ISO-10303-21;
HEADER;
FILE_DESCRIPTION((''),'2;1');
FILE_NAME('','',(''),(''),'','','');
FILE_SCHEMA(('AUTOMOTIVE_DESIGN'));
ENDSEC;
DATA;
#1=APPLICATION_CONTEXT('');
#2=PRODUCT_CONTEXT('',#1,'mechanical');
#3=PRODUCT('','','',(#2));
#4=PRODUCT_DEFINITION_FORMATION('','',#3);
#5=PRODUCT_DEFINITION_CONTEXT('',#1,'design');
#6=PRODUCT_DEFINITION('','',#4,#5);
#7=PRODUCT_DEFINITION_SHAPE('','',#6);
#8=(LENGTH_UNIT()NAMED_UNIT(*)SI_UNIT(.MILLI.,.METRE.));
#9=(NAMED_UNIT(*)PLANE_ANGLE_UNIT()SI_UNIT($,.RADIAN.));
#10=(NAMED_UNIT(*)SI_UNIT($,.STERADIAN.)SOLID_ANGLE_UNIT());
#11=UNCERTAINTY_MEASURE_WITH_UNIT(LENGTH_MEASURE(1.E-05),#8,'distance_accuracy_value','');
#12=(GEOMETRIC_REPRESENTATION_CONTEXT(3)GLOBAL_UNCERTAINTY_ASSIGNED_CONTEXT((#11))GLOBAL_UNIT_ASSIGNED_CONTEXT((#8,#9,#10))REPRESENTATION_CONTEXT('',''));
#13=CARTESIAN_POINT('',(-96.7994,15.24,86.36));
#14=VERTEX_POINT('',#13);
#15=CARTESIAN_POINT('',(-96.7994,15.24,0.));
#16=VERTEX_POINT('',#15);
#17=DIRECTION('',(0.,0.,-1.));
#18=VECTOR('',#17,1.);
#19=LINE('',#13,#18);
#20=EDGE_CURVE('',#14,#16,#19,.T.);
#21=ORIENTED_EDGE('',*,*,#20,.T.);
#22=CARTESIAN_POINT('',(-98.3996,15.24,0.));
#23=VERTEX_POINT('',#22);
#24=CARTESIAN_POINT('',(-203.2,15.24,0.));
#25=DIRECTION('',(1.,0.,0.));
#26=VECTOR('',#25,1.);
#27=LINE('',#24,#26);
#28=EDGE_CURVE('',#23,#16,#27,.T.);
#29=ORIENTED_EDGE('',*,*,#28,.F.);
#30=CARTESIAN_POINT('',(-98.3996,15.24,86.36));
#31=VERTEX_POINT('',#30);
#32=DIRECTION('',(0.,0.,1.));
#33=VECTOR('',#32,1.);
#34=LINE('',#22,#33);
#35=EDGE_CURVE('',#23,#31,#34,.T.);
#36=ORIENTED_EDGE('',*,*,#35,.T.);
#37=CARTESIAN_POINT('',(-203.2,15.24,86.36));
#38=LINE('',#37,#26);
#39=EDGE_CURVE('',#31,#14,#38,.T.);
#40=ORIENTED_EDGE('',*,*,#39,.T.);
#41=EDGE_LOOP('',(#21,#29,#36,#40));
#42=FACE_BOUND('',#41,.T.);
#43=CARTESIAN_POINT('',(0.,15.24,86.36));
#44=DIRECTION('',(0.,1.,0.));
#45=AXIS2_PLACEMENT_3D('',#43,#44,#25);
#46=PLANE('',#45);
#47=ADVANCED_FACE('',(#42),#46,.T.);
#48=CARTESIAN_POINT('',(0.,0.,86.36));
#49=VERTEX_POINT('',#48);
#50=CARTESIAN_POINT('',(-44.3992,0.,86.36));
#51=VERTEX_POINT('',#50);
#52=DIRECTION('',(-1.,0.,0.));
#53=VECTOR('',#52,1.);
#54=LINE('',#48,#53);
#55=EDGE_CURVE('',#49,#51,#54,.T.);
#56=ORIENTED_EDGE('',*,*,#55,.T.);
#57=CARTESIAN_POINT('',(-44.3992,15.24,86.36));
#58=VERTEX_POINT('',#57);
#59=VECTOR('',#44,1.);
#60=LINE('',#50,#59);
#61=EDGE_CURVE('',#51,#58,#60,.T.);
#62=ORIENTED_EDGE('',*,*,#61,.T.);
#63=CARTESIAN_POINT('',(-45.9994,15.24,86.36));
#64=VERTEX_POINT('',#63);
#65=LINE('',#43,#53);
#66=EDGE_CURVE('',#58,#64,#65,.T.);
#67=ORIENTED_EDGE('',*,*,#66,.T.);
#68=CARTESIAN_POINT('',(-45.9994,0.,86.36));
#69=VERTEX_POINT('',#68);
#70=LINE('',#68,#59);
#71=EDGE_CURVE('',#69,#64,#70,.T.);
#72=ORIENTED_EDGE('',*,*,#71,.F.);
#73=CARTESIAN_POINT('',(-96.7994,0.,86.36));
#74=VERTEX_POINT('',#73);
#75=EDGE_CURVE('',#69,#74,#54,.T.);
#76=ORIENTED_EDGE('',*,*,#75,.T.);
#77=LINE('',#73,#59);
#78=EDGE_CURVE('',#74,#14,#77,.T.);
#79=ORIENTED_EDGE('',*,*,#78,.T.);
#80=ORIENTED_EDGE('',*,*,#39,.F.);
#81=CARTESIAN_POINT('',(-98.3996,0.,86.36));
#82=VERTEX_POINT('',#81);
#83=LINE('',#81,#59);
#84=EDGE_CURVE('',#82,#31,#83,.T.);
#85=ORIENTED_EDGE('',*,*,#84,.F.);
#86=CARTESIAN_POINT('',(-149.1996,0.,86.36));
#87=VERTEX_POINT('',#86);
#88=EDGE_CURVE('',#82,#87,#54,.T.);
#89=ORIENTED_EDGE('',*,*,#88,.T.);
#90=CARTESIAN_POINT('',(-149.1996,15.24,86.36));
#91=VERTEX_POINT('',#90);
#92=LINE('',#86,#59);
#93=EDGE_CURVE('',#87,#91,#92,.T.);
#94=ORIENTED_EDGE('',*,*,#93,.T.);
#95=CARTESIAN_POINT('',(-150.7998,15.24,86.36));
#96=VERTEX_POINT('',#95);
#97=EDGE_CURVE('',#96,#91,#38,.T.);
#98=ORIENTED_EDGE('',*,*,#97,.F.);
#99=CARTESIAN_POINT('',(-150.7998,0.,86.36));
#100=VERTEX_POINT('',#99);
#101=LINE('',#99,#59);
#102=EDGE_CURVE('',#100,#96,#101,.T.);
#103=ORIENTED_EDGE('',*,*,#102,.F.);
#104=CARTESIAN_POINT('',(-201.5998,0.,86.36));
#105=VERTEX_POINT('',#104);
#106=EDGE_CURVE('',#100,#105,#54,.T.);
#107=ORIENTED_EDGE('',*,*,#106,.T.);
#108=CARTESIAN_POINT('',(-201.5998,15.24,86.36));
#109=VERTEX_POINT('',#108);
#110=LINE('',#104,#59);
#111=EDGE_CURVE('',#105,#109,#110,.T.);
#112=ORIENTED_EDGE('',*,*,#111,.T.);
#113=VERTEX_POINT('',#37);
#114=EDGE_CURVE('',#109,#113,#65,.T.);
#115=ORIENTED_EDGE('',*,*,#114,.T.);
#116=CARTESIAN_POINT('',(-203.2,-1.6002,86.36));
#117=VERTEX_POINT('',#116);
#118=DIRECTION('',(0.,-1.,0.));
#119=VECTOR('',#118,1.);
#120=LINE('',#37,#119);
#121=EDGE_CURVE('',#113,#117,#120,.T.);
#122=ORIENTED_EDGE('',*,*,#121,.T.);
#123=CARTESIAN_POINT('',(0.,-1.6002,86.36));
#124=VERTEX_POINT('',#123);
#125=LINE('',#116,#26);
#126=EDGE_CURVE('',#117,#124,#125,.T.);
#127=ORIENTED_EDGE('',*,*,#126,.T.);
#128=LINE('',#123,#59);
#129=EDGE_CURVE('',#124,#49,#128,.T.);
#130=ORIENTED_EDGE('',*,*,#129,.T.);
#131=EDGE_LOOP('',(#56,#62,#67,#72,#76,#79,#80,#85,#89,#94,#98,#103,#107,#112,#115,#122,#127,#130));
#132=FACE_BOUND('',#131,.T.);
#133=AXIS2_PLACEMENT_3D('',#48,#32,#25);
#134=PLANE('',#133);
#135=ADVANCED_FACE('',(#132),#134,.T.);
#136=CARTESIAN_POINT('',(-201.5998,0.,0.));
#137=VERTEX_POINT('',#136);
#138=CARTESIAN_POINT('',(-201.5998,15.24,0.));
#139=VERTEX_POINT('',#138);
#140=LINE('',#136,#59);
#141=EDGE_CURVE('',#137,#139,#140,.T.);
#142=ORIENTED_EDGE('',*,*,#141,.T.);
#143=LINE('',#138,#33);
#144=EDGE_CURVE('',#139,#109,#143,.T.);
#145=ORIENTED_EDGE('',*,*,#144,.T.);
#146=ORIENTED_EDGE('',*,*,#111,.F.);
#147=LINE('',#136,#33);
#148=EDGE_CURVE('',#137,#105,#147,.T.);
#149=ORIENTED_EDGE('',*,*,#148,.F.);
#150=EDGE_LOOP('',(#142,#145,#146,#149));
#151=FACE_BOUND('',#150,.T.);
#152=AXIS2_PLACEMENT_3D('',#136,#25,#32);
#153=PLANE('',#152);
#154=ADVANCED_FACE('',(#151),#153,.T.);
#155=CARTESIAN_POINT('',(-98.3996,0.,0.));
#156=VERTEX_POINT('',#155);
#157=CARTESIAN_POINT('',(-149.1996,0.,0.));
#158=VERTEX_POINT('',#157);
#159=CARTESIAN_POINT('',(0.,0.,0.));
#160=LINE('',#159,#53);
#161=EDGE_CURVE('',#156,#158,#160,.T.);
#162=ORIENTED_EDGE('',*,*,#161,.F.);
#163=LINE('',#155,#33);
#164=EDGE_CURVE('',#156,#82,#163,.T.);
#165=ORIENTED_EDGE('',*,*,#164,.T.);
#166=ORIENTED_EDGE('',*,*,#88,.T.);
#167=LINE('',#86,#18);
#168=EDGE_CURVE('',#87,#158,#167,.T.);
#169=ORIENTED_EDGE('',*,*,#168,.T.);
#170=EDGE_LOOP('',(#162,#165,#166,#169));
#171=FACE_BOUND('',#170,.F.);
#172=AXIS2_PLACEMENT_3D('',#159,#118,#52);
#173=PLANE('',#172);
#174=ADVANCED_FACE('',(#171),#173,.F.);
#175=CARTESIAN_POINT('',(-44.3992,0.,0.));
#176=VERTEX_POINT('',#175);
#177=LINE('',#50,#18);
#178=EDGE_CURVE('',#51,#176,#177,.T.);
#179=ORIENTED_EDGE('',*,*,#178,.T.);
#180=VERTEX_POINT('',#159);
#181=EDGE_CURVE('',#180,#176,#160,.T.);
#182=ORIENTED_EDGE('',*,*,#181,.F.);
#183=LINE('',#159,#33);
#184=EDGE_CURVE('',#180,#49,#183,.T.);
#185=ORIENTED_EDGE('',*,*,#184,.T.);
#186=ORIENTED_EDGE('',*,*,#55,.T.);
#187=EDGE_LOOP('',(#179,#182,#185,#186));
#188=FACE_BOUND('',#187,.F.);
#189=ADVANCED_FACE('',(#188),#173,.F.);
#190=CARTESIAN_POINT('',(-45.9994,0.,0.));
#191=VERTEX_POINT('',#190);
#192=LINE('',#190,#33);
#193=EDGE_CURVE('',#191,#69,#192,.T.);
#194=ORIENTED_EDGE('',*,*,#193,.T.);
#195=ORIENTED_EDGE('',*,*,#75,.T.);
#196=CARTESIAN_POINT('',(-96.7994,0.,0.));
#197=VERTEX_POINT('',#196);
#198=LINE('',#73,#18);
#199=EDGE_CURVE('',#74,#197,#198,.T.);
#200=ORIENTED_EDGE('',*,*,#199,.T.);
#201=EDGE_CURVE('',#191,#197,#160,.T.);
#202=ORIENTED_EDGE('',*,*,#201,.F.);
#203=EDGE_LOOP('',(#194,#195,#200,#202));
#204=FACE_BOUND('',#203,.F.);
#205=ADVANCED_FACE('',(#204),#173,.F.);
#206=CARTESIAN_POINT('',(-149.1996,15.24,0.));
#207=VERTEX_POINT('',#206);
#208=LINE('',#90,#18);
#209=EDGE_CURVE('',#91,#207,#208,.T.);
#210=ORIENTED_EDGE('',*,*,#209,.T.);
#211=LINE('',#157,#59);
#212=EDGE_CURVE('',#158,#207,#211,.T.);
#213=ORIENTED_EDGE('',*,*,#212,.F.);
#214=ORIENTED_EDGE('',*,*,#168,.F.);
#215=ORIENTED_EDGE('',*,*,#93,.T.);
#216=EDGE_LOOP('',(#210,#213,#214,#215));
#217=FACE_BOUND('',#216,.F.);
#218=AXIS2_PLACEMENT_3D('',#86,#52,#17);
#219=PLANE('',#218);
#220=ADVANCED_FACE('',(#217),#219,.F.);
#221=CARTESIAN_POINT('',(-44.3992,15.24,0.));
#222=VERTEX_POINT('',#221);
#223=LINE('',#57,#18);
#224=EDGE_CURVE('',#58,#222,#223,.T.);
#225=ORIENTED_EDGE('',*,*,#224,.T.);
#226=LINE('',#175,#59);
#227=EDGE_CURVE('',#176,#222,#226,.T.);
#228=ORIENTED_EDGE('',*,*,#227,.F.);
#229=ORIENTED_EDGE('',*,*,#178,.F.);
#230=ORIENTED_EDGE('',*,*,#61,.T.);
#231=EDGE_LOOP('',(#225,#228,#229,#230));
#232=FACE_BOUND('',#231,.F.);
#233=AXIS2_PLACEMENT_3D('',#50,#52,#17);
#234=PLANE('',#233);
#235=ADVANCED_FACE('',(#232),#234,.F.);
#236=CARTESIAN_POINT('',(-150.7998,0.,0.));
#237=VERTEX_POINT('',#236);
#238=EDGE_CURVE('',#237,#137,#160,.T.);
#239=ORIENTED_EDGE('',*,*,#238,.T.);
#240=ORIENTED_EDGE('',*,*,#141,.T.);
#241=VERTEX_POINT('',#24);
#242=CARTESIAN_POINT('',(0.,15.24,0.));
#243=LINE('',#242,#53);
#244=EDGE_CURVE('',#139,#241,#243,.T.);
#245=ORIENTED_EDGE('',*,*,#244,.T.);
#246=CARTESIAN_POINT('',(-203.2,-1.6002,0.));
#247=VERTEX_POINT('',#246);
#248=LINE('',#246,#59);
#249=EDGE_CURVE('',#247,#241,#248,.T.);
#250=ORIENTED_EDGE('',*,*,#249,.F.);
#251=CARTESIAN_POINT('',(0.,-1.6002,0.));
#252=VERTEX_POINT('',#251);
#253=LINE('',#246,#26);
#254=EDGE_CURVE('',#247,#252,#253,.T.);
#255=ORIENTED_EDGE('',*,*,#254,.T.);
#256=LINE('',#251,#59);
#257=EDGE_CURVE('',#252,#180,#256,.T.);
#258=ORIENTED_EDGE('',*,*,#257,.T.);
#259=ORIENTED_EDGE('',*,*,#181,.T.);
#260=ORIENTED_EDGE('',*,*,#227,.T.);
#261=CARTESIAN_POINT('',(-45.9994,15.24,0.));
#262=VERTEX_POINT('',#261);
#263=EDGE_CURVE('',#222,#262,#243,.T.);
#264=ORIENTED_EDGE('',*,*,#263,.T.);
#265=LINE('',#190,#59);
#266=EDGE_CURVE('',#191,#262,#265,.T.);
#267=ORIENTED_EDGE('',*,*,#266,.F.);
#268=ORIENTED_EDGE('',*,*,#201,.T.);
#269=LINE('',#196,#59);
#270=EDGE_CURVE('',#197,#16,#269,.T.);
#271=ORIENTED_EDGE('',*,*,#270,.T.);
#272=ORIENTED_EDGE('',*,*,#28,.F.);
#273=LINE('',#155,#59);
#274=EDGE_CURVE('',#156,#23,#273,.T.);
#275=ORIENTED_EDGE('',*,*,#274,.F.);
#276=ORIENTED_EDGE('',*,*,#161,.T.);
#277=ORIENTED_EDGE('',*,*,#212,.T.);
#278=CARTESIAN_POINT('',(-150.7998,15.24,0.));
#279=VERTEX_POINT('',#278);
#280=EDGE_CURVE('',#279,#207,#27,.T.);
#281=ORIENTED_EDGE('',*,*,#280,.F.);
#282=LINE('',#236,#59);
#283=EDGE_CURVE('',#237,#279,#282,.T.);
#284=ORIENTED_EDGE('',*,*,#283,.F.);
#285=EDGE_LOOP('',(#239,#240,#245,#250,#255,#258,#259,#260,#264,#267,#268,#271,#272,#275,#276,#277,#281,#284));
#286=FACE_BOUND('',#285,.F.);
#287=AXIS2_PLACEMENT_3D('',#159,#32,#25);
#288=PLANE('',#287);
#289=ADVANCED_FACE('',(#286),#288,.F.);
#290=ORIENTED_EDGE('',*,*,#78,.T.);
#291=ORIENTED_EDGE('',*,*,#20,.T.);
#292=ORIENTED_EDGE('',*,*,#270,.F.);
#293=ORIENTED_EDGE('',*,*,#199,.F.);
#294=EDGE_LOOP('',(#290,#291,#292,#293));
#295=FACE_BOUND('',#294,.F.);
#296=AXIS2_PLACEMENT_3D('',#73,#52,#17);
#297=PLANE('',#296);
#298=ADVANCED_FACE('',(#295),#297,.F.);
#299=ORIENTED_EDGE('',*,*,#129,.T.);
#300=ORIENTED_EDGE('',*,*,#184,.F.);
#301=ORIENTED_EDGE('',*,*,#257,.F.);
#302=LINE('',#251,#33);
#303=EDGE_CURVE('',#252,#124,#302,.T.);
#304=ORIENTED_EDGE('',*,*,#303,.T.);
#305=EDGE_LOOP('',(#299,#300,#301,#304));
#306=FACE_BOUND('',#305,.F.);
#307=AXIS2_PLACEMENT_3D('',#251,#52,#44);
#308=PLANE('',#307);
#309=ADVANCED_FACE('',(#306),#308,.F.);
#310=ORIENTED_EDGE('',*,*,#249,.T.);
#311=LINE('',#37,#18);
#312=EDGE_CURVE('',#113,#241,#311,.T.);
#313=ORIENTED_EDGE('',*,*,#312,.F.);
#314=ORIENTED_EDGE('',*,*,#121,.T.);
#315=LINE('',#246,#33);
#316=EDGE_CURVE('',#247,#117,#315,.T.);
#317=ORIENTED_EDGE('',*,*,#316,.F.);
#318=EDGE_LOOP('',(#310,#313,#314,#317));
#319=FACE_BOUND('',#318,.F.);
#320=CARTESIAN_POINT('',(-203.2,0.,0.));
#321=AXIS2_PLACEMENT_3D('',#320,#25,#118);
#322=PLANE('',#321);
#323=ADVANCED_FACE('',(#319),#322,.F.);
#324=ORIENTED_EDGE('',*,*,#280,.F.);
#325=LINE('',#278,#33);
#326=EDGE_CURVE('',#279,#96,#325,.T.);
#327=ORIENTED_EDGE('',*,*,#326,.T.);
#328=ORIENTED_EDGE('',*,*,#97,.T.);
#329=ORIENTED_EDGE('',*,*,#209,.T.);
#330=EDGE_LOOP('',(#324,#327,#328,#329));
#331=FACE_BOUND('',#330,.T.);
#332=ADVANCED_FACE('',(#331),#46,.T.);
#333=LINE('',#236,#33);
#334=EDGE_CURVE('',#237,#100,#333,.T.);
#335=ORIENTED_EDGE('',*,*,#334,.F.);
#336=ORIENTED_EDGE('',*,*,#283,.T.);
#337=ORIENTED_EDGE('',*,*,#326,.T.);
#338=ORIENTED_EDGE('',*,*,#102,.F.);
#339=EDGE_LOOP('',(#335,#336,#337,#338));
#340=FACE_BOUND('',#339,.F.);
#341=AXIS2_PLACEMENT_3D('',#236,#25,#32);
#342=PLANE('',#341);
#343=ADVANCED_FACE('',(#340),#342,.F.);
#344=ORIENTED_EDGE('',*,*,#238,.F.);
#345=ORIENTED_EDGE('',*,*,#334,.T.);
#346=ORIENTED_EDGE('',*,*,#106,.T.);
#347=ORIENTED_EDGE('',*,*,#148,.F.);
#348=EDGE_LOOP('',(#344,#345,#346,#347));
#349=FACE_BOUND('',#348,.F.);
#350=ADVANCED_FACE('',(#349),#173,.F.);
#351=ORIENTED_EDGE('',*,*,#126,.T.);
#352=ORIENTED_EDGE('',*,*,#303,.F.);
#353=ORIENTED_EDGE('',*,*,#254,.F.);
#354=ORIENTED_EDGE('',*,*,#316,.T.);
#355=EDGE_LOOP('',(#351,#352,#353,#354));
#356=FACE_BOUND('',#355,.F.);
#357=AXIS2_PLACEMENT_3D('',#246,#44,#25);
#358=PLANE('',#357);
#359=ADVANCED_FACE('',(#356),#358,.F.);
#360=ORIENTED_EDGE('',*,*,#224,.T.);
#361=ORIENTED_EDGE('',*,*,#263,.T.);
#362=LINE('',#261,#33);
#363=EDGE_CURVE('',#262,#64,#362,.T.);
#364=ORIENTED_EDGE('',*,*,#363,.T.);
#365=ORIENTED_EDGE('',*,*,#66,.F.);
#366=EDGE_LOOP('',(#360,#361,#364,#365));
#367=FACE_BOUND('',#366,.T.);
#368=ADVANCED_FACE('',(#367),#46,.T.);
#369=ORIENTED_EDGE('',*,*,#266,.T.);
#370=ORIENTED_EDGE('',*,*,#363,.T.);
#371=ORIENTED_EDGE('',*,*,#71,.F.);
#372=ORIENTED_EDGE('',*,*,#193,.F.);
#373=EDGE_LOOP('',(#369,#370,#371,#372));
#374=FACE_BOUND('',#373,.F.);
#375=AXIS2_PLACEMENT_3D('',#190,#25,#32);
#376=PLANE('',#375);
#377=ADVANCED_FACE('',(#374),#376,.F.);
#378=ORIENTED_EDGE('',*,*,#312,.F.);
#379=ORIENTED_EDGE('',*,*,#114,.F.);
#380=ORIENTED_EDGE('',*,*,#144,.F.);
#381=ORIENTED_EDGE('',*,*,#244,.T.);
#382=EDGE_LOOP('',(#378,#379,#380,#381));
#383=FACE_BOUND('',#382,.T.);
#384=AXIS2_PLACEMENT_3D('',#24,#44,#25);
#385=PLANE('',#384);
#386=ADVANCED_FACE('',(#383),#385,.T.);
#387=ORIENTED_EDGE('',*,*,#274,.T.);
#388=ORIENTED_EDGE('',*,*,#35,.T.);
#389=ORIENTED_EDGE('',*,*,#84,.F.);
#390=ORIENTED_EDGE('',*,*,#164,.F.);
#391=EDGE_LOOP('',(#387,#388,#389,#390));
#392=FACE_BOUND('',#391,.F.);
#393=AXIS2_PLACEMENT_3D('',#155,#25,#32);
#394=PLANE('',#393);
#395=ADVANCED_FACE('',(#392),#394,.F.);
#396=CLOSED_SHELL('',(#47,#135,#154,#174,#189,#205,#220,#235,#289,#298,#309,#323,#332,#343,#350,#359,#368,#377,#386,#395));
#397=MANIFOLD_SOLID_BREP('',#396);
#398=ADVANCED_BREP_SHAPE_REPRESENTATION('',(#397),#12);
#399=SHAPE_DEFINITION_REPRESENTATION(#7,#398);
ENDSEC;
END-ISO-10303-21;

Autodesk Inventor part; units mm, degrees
ref_plane "YZ Plane" through (0, 0, 0) normal (1, 0, 0) x (0, 1, 0)
ref_plane "XZ Plane" through (0, 0, 0) normal (0, 1, 0) x (-1, 0, 0)
ref_plane "XY Plane" through (0, 0, 0) normal (0, 0, 1) x (1, 0, 0)
sketch "Sketch1" plane through (0, 0, 0) normal (0, 0, 1) x (1, 0, 0)
  line L0 (0, 0) -> (-203.2, 0)
  line L1 (-203.2, 0) -> (-203.2, -1.6002)
  line L2 (-203.2, -1.6002) -> (0, -1.6002)
  line L3 (0, -1.6002) -> (0, 0)
  dimension "d0" = 203.2
  dimension "d1" = 1.6002
extrude "Extrusion1" add sketch "Sketch1" along normal blind 86.36
sketch "Sketch2" plane through (-203.2, 0, 0) normal (0, 1, 0) x (1, 0, 0)
  line L0 (203.2, 0) -> (0, 0) projected
  line L1 (203.2, -86.36) -> (0, -86.36) projected
  line L2 (0, 0) -> (1.6002, 0)
  line L3 (1.6002, 0) -> (1.6002, -86.36)
  line L4 (1.6002, -86.36) -> (0, -86.36)
  line L5 (0, -86.36) -> (0, 0)
  dimension "d4" = 1.6002
extrude "Extrusion2" add sketch "Sketch2" along normal blind 15.24
sketch "Sketch3" plane through (0, 0, 86.36) normal (0, 1, 0) x (1, 0, 0)
  line L0 (-203.2, 0) -> (0, 0) projected
  line L1 (-203.2, 86.36) -> (0, 86.36) projected
  line L2 (-150.7998, 0) -> (-149.1996, 0)
  line L3 (-149.1996, 0) -> (-149.1996, 86.36)
  line L4 (-149.1996, 86.36) -> (-150.7998, 86.36)
  line L5 (-150.7998, 86.36) -> (-150.7998, 0)
  dimension "d7" = 1.6002
extrude "Extrusion3" add sketch "Sketch3" along normal blind 15.24
sketch "Sketch4" plane through (0, 0, 86.36) normal (0, 1, 0) x (1, 0, 0)
  line L0 (-203.2, 0) -> (0, 0) projected
  line L1 (-203.2, 86.36) -> (0, 86.36) projected
  line L2 (-98.3996, 0) -> (-96.7994, 0)
  line L3 (-96.7994, 0) -> (-96.7994, 86.36)
  line L4 (-96.7994, 86.36) -> (-98.3996, 86.36)
  line L5 (-98.3996, 86.36) -> (-98.3996, 0)
  dimension "d10" = 1.6002
extrude "Extrusion4" add sketch "Sketch4" along normal blind 15.24
sketch "Sketch5" plane through (0, 0, 86.36) normal (0, 1, 0) x (1, 0, 0)
  line L0 (0, 0) -> (-96.7994, 0) projected
  line L1 (0, 86.36) -> (-96.7994, 86.36) projected
  line L2 (-45.9994, 0) -> (-44.3992, 0)
  line L3 (-44.3992, 0) -> (-44.3992, 86.36)
  line L4 (-44.3992, 86.36) -> (-45.9994, 86.36)
  line L5 (-45.9994, 86.36) -> (-45.9994, 0)
  dimension "d13" = 1.6002
extrude "Extrusion5" add sketch "Sketch5" along normal blind 15.24
properties part number "ModulePlate2.0"
